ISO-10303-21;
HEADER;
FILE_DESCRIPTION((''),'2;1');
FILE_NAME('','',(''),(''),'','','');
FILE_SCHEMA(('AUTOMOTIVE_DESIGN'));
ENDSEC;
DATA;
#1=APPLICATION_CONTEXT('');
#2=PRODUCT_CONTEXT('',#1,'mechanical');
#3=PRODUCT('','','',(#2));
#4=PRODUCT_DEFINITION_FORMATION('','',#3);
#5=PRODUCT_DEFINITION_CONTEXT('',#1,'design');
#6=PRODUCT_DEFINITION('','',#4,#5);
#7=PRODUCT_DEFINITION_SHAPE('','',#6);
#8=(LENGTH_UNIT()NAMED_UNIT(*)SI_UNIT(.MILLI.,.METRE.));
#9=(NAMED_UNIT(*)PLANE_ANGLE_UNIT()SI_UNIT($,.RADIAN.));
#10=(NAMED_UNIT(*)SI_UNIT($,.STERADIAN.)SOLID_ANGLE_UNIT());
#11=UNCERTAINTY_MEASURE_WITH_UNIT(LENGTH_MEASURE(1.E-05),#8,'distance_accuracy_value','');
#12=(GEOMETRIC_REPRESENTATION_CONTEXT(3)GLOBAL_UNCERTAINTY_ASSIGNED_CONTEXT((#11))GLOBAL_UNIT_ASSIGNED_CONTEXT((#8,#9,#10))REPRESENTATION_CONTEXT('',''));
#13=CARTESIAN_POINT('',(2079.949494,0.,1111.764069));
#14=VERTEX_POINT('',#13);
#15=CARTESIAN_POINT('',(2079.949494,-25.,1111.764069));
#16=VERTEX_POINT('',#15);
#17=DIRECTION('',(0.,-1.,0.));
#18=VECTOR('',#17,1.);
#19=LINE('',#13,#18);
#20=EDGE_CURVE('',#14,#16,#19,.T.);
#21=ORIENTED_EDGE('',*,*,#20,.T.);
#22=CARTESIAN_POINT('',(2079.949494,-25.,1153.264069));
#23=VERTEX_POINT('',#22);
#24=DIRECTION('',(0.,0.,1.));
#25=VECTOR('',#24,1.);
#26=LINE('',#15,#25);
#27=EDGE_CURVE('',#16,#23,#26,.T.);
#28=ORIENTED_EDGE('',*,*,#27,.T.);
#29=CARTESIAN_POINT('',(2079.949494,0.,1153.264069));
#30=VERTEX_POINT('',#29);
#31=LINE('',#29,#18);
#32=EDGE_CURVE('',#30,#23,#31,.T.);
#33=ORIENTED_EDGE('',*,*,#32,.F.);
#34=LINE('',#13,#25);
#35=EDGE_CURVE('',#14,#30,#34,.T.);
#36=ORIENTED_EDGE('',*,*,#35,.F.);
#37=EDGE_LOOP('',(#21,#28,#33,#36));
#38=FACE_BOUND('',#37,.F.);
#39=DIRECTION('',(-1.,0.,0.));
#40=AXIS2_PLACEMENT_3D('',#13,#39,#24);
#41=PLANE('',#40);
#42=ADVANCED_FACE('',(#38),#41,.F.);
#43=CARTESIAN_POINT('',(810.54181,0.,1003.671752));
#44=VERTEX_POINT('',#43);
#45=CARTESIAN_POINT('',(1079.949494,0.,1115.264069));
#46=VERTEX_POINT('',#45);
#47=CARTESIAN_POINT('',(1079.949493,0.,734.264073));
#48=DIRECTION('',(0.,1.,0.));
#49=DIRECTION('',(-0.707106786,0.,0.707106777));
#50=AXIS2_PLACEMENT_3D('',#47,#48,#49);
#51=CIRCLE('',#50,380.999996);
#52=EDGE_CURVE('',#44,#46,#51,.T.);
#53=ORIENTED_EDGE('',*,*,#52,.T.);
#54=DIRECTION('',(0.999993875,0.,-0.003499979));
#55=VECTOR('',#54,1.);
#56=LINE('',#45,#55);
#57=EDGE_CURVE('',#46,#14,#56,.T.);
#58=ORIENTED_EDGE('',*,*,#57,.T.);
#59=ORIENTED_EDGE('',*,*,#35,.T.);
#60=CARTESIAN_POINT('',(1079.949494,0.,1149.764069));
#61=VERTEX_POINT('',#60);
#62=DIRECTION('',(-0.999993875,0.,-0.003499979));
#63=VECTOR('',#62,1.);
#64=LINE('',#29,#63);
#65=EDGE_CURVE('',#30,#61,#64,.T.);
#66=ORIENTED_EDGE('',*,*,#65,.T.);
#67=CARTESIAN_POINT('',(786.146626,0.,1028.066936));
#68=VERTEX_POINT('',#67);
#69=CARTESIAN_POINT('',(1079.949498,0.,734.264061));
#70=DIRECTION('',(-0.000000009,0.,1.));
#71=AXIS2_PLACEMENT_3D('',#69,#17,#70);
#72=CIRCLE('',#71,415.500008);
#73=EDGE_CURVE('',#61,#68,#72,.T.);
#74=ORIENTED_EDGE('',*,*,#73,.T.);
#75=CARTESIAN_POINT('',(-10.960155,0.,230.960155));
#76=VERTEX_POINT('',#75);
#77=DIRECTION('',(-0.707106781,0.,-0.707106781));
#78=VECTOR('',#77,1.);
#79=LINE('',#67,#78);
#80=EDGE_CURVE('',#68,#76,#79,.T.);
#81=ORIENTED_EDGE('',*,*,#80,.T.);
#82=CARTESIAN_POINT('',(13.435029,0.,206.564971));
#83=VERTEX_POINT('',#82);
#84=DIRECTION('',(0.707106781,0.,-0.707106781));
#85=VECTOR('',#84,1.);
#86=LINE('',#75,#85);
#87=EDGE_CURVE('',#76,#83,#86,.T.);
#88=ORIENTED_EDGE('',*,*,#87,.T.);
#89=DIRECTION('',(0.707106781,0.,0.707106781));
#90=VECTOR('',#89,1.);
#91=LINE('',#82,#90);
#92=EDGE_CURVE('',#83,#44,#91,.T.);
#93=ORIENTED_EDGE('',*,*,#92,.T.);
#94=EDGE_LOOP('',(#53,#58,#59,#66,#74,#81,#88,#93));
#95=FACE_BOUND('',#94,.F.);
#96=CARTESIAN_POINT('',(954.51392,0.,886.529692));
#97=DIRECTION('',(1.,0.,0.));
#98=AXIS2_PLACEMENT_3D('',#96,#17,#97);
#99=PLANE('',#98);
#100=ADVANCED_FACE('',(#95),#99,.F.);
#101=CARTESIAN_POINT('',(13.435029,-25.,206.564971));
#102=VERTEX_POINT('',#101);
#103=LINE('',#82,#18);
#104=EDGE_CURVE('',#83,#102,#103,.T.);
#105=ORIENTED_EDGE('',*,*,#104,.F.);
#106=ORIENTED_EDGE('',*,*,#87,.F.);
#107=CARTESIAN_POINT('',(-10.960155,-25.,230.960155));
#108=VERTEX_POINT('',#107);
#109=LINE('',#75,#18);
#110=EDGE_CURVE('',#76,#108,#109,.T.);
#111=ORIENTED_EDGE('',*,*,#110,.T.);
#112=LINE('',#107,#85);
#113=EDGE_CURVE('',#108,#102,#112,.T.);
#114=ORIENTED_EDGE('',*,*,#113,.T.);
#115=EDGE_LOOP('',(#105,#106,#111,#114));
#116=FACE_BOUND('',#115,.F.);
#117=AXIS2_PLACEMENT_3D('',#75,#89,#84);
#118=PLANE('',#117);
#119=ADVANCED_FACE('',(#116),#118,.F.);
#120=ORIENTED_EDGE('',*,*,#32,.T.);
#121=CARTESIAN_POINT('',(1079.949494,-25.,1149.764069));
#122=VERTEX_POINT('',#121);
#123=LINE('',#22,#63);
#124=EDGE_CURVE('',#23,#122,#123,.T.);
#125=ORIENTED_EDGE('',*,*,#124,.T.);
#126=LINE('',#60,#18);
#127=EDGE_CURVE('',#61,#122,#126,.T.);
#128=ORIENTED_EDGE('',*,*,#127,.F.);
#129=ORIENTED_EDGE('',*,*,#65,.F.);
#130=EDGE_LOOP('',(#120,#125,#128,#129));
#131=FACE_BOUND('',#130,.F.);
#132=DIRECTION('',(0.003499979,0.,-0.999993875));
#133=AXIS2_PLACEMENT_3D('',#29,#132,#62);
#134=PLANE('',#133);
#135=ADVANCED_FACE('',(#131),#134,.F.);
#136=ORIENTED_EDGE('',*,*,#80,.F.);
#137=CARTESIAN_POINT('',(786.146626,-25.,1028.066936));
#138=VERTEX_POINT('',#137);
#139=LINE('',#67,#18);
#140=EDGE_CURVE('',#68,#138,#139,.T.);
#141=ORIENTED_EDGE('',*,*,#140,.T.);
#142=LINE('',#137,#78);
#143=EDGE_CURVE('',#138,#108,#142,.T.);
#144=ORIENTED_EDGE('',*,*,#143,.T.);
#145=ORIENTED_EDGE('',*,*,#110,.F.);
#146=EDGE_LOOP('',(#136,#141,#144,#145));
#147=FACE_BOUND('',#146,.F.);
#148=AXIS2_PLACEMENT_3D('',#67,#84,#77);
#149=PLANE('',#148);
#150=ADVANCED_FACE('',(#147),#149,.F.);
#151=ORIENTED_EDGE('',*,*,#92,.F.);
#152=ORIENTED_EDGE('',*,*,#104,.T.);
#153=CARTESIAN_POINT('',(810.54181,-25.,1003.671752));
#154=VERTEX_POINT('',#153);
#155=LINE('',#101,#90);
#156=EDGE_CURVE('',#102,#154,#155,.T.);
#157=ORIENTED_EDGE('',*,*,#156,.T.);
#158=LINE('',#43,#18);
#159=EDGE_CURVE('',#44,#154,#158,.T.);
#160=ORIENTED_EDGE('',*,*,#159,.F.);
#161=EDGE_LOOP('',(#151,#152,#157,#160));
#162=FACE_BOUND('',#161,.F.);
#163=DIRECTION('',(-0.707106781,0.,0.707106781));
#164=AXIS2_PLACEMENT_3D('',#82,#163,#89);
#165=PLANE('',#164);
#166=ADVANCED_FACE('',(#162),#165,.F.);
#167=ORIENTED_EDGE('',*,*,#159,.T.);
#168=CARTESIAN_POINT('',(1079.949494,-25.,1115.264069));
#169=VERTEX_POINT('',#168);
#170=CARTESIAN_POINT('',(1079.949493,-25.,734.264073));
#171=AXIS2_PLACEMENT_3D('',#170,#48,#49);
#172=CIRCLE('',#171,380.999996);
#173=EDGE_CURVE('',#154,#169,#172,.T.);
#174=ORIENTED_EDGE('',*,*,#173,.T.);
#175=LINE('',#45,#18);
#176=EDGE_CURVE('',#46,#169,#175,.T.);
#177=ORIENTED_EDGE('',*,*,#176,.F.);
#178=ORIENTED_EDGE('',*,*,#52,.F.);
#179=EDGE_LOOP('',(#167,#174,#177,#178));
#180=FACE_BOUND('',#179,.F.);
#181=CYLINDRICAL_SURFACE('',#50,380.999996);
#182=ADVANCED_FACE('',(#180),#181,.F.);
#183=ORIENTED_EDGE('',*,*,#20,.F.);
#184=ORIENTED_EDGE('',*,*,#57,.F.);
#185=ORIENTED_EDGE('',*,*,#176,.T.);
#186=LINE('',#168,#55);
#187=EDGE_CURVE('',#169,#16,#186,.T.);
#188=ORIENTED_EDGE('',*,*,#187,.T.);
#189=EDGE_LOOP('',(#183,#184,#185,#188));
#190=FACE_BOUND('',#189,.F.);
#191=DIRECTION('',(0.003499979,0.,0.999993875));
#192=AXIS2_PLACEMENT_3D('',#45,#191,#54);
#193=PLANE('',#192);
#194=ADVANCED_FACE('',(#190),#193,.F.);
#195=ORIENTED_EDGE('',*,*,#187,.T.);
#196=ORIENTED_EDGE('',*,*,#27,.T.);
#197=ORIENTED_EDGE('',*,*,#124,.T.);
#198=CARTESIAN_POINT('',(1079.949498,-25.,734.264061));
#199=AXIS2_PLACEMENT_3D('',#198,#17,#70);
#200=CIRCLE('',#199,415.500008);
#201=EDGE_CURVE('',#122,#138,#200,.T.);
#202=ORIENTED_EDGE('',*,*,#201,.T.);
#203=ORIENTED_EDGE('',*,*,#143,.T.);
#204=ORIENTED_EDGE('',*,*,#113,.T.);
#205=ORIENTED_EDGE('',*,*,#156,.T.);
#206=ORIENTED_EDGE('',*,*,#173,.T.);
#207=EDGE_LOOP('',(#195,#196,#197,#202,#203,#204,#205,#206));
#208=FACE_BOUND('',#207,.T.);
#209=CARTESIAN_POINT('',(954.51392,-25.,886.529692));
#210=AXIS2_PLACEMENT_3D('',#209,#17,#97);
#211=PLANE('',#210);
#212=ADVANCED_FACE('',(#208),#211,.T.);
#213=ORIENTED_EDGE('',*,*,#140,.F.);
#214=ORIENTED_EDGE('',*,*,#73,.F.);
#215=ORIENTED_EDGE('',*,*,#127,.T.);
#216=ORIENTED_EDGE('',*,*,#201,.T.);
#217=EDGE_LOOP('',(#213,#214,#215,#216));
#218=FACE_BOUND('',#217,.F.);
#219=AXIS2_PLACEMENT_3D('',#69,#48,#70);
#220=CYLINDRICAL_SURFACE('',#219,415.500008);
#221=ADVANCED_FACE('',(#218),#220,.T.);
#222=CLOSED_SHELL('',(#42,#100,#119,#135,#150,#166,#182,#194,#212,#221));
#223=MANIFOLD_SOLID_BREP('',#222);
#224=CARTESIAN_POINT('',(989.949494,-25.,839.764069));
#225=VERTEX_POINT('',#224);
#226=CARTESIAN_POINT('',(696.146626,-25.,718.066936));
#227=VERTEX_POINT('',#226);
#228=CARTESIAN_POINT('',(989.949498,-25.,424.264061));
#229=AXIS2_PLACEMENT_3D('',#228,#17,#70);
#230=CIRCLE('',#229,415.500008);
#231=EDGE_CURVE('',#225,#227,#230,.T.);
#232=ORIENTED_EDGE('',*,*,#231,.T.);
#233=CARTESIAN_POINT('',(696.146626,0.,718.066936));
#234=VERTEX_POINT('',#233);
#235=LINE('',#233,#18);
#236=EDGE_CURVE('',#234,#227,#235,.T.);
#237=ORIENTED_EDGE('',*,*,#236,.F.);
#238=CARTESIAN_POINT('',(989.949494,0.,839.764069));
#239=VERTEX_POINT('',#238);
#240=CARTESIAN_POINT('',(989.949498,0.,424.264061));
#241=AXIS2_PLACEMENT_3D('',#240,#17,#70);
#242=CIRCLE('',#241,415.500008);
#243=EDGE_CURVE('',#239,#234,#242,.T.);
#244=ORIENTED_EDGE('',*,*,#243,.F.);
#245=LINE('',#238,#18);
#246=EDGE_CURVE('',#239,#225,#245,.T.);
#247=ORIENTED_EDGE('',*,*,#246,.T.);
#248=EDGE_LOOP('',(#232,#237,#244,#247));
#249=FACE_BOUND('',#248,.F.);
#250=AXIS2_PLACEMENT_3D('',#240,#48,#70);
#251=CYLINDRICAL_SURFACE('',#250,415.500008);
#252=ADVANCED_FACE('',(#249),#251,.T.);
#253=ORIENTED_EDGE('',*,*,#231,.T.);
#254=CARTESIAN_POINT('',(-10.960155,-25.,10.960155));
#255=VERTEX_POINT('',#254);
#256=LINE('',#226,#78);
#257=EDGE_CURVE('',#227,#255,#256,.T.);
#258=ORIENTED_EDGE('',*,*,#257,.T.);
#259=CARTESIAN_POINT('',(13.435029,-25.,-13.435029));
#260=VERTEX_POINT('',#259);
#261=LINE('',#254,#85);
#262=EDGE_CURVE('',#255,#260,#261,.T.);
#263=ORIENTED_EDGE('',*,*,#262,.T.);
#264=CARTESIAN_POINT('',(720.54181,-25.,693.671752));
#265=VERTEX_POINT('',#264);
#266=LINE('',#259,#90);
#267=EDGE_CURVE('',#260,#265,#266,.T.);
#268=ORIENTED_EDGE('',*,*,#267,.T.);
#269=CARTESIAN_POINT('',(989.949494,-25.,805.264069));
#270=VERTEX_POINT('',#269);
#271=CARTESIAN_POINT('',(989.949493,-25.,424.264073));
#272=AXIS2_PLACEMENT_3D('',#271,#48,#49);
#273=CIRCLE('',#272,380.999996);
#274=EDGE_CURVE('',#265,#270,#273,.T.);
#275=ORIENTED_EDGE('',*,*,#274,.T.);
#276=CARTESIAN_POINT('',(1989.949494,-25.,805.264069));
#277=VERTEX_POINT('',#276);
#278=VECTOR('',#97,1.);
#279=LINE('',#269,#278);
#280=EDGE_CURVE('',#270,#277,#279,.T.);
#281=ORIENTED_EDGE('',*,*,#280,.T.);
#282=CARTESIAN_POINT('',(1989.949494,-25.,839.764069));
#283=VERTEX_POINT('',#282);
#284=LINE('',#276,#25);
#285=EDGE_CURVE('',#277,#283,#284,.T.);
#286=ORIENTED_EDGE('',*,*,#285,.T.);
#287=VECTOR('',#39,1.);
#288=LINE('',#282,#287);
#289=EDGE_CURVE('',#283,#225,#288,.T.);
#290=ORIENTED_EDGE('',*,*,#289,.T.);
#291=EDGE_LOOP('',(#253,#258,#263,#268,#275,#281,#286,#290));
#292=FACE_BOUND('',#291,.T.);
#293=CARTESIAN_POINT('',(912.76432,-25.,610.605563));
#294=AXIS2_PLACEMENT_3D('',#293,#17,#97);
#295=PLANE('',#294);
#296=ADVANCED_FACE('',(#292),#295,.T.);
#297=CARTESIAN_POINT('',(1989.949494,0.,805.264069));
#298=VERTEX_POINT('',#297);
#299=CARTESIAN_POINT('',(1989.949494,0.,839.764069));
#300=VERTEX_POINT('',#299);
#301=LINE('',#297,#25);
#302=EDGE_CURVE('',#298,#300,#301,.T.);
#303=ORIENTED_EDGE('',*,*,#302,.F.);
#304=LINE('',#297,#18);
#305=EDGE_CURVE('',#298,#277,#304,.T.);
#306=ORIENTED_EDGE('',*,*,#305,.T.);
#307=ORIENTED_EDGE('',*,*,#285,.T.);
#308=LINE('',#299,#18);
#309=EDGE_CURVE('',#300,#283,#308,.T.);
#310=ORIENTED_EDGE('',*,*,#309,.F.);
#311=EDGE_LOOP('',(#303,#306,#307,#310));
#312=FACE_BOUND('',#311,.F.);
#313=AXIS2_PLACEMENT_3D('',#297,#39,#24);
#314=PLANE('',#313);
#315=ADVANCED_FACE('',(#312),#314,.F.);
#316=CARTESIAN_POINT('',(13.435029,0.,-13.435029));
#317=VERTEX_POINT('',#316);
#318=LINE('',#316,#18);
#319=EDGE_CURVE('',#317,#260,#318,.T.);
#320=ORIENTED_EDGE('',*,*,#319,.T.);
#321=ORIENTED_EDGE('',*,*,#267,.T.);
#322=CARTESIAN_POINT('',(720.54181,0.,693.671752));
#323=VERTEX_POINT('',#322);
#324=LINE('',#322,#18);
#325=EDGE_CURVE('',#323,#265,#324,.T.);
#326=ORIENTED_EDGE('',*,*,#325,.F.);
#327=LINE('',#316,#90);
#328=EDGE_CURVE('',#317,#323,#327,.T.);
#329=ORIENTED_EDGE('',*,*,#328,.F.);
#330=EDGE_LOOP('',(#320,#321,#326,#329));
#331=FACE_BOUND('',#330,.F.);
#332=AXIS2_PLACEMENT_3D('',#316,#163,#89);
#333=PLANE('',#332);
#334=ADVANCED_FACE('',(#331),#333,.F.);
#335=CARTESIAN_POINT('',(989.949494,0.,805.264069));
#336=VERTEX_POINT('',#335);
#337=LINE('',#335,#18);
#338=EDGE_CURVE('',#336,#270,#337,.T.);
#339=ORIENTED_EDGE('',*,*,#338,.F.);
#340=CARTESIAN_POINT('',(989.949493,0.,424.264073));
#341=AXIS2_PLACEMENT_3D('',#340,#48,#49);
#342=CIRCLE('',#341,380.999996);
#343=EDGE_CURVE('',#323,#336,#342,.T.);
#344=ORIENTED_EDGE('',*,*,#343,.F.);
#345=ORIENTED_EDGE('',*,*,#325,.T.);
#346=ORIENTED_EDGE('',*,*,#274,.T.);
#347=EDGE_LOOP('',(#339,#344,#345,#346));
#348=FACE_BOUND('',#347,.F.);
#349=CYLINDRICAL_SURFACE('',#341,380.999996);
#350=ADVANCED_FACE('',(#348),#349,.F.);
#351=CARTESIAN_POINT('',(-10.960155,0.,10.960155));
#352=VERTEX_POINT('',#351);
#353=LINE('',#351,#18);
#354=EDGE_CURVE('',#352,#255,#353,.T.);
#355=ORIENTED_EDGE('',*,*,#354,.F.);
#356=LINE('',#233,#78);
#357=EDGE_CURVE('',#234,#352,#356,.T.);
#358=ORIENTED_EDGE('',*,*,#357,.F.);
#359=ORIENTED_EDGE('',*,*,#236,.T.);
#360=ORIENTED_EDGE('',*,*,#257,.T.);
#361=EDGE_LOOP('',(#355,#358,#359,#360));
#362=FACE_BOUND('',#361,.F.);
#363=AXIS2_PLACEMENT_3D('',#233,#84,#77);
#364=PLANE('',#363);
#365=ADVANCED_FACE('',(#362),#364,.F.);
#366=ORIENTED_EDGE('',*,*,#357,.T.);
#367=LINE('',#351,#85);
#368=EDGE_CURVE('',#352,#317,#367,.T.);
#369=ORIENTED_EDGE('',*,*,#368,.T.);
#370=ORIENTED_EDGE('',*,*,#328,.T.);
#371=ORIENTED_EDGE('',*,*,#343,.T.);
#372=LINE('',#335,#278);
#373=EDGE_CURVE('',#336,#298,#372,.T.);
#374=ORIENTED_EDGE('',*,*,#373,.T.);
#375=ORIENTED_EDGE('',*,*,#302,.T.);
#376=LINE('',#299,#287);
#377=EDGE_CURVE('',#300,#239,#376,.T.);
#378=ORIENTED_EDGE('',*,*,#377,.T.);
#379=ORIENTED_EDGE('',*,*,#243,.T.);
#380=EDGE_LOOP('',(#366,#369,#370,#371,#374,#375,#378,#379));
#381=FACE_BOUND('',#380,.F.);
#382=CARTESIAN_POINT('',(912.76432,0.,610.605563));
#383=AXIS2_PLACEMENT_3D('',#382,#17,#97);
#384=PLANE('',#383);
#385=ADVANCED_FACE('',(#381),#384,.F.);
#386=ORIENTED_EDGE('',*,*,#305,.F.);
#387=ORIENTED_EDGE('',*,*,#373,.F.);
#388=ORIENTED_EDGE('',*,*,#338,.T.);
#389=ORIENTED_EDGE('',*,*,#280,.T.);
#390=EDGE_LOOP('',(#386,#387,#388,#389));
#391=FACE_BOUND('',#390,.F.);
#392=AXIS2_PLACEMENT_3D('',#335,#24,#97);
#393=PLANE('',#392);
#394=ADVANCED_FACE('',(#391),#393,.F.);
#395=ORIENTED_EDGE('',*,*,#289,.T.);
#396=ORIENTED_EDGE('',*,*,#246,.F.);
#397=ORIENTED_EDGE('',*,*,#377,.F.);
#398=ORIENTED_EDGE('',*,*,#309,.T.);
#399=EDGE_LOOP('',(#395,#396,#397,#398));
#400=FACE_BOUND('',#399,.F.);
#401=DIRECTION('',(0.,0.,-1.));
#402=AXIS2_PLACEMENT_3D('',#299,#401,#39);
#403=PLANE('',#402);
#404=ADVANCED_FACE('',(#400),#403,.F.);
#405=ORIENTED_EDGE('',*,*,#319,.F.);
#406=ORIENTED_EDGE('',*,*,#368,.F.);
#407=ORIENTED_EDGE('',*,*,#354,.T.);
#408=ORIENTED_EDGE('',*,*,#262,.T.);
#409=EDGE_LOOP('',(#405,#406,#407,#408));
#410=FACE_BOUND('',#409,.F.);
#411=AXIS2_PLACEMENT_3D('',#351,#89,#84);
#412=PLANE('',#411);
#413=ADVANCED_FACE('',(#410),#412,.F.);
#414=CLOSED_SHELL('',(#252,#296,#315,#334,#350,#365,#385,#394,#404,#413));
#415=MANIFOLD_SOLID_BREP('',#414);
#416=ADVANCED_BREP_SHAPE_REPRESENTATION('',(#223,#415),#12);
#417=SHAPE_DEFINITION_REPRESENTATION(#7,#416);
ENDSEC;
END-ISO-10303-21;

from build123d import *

# Parameters (mm, degrees)
F1_DEPTH = 25


with BuildPart() as f1:
    # F0 (on Front) → F1 (new body)
    with BuildSketch(Plane.XZ):
        with BuildLine():
            Line((786.146626, 1028.066936), (696.146626, 938.066936))
            Line((696.146626, 938.066936), (-10.960155, 230.960155))
            Line((-10.960155, 230.960155), (0, 220))
            Line((0, 220), (13.435029, 206.564971))
            Line((13.435029, 206.564971), (810.54181, 1003.671752))
            ThreePointArc((810.54181, 1003.671752), (934.147106, 1086.262171), (1079.949494, 1115.264069))
            Line((1079.949494, 1115.264069), (2079.949494, 1111.764069))
            Line((2079.949494, 1111.764069), (2079.949494, 1134.264069))
            Line((2079.949494, 1134.264069), (2079.949494, 1153.264069))
            Line((2079.949494, 1153.264069), (1079.949494, 1149.764069))
            ThreePointArc((1079.949494, 1149.764069), (920.944528, 1118.136014), (786.146626, 1028.066936))
        make_face()
        with BuildLine():
            Line((-10.960155, 10.960155), (0, 0))
            Line((0, 0), (13.435029, -13.435029))
            Line((13.435029, -13.435029), (720.54181, 693.671752))
            ThreePointArc((720.54181, 693.671752), (844.147106, 776.262171), (989.949494, 805.264069))
            Line((989.949494, 805.264069), (1989.949494, 805.264069))
            Line((1989.949494, 805.264069), (1989.949494, 824.264069))
            Line((1989.949494, 824.264069), (1989.949494, 839.764069))
            Line((1989.949494, 839.764069), (989.949494, 839.764069))
            ThreePointArc((989.949494, 839.764069), (830.944528, 808.136014), (696.146626, 718.066936))
            Line((696.146626, 718.066936), (-10.960155, 10.960155))
        make_face()
    extrude(amount=F1_DEPTH)


solid = f1.part
